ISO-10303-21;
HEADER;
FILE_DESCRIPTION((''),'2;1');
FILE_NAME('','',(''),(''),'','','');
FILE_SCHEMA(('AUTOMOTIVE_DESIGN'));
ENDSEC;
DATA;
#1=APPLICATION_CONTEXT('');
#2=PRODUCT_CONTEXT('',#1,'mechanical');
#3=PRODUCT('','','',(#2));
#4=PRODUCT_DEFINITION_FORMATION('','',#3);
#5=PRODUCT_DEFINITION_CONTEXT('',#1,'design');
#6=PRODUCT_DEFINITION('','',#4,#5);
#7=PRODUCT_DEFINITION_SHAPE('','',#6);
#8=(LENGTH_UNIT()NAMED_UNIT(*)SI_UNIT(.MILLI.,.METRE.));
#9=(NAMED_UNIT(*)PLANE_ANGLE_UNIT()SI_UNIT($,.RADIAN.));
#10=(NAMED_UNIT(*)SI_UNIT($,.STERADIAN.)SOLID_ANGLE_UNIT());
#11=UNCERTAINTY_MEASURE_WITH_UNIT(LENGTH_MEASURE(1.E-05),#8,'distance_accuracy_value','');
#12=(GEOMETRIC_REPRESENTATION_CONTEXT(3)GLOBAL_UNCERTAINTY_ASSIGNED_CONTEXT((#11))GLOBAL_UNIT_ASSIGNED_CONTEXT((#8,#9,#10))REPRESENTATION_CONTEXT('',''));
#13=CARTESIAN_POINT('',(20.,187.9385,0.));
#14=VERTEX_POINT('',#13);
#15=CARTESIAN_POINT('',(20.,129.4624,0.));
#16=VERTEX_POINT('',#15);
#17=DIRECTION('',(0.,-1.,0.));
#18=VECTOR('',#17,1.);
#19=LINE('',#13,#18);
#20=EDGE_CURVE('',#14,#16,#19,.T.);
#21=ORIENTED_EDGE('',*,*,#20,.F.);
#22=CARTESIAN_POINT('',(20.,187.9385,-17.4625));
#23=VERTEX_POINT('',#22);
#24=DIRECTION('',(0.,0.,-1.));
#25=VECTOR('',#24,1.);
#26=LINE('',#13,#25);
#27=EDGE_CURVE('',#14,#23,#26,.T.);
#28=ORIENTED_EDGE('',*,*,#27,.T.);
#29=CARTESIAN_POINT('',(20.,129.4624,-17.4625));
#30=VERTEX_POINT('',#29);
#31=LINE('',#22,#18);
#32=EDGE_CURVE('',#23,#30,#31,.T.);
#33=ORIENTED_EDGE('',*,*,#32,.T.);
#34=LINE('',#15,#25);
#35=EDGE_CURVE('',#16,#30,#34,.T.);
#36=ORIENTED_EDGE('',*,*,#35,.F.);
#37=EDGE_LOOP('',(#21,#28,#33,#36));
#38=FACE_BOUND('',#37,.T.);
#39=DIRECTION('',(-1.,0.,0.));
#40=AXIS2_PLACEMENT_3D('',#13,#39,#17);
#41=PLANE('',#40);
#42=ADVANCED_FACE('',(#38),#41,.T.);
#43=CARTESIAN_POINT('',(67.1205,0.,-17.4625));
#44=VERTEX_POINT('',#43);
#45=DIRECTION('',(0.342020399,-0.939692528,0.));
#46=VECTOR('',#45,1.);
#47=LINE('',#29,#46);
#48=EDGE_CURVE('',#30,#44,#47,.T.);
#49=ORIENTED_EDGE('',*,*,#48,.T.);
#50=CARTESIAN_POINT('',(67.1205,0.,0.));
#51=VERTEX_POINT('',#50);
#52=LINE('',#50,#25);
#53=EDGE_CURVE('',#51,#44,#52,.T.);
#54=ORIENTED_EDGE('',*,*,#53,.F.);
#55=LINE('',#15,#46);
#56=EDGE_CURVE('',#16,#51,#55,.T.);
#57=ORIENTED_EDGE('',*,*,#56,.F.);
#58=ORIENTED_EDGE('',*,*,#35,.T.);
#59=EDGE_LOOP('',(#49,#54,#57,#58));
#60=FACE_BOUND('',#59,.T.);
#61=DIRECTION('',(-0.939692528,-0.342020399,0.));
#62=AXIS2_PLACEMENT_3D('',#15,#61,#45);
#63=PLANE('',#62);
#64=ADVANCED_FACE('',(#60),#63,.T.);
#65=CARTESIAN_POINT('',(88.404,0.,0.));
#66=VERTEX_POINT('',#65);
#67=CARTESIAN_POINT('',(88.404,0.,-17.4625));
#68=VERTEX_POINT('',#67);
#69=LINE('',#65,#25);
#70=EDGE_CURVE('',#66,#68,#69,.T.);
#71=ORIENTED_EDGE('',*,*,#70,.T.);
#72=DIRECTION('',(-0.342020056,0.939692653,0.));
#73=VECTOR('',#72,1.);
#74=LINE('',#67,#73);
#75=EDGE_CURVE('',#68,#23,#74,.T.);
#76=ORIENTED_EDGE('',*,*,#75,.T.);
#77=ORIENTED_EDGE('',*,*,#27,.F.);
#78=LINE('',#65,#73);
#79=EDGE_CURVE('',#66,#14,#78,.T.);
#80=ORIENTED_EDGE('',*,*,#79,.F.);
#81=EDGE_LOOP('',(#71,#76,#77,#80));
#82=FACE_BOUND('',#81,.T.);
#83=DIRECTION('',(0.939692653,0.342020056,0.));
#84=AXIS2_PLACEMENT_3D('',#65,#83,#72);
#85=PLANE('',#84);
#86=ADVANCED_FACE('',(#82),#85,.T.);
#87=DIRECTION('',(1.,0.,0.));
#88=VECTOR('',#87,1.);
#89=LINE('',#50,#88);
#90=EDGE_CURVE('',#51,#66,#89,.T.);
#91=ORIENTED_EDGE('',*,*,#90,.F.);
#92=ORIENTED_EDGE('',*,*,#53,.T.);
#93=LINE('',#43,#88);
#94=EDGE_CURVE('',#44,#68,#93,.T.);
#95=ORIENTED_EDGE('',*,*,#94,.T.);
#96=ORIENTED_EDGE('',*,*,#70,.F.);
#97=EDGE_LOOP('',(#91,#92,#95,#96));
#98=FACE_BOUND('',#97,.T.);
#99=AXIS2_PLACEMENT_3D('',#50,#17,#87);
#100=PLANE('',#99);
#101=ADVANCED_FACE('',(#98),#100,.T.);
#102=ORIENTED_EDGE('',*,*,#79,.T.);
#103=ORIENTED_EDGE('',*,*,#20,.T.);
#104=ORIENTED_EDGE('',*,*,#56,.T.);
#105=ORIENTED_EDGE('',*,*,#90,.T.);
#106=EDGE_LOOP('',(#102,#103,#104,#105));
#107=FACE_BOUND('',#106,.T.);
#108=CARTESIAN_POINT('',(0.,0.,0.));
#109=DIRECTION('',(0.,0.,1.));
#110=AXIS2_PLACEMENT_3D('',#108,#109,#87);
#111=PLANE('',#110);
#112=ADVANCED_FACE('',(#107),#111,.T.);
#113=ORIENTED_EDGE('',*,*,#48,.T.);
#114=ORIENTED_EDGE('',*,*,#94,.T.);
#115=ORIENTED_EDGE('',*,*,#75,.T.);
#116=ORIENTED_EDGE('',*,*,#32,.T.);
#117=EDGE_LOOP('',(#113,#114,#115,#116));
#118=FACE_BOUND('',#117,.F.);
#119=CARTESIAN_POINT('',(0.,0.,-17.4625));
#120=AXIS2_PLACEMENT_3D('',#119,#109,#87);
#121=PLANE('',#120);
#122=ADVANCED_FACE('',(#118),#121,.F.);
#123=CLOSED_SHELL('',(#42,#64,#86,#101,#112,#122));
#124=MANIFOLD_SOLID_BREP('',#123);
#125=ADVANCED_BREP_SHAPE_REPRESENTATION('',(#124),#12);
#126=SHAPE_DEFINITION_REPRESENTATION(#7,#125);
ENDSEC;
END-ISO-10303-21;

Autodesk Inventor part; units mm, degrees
ref_plane "YZ Plane" through (0, 0, 0) normal (1, 0, 0) x (0, 1, 0)
ref_plane "Work Plane1" through (0, 0, 0) normal (0, 0, 1) x (1, 0, 0)
sketch "Sketch1" plane through (0, 0, 0) normal (0, 0, 1) x (1, 0, 0)
  line L0 (20, 0) -> (20, 430) construction
  line L1 (20, 0) -> (100, 0) construction
  line L2 (67.1205, 0) -> (88.404, 0)
  line L3 (88.404, 0) -> (20, 187.9385)
  line L4 (20, 187.9385) -> (20, 129.4624)
  line L5 (20, 129.4624) -> (67.1205, 0)
  line L6 (43.5602, 64.7312) -> (62.3541, 71.5716) construction
  line L7 (100, 0) -> (100, -20) construction
  line L8 (1.2061, 181.0981) -> (20, 129.4624) construction
  line L9 (67.1205, 0) -> (69.6102, -6.8404) construction
  line L10 (69.6102, -6.8404) -> (88.404, 0) construction
  line L11 (20, 187.9385) -> (1.2061, 181.0981) construction
  point P0 (0, 0)
  dimension "d0" = 70
  dimension "d5" = 200
ref_plane "Work Plane2" through (0, 0, -20) normal (0, 0, -1) x (0, 1, 0)
ref_plane "Work Plane3" through (20, -17.4625, -17.4625) normal (0, 0, -1) x (0, 1, 0)
extrude "Extrusion1" add sketch "Sketch1" against normal up to surface (17.4625 mm away)
sketch "Sketch2" plane through (0, 0, 0) normal (0, 0, 1) x (1, 0, 0)
  line L0 (88.404, 0) -> (20, 187.9385) construction
  line L1 (20, 187.9385) -> (20, 129.4624) construction
  line L2 (20, 129.4624) -> (67.1205, 0) construction
  line L3 (67.1205, 0) -> (88.404, 0) construction
  line L4 (20, 187.9385) -> (1.2061, 181.0981) construction
  line L5 (1.2061, 181.0981) -> (20, 129.4624) construction
  line L6 (88.404, 0) -> (69.6102, -6.8404) construction
  line L7 (69.6102, -6.8404) -> (67.1205, 0) construction
  line L8 (20, 129.4624) -> (67.1205, 0) construction
  point P0 (0, 0)
  dimension "d6" = 200
  dimension "d7" = 20
  dimension "d8" = 20
properties part number "BaseAngularSmall" material "Wood (Walnut)"
